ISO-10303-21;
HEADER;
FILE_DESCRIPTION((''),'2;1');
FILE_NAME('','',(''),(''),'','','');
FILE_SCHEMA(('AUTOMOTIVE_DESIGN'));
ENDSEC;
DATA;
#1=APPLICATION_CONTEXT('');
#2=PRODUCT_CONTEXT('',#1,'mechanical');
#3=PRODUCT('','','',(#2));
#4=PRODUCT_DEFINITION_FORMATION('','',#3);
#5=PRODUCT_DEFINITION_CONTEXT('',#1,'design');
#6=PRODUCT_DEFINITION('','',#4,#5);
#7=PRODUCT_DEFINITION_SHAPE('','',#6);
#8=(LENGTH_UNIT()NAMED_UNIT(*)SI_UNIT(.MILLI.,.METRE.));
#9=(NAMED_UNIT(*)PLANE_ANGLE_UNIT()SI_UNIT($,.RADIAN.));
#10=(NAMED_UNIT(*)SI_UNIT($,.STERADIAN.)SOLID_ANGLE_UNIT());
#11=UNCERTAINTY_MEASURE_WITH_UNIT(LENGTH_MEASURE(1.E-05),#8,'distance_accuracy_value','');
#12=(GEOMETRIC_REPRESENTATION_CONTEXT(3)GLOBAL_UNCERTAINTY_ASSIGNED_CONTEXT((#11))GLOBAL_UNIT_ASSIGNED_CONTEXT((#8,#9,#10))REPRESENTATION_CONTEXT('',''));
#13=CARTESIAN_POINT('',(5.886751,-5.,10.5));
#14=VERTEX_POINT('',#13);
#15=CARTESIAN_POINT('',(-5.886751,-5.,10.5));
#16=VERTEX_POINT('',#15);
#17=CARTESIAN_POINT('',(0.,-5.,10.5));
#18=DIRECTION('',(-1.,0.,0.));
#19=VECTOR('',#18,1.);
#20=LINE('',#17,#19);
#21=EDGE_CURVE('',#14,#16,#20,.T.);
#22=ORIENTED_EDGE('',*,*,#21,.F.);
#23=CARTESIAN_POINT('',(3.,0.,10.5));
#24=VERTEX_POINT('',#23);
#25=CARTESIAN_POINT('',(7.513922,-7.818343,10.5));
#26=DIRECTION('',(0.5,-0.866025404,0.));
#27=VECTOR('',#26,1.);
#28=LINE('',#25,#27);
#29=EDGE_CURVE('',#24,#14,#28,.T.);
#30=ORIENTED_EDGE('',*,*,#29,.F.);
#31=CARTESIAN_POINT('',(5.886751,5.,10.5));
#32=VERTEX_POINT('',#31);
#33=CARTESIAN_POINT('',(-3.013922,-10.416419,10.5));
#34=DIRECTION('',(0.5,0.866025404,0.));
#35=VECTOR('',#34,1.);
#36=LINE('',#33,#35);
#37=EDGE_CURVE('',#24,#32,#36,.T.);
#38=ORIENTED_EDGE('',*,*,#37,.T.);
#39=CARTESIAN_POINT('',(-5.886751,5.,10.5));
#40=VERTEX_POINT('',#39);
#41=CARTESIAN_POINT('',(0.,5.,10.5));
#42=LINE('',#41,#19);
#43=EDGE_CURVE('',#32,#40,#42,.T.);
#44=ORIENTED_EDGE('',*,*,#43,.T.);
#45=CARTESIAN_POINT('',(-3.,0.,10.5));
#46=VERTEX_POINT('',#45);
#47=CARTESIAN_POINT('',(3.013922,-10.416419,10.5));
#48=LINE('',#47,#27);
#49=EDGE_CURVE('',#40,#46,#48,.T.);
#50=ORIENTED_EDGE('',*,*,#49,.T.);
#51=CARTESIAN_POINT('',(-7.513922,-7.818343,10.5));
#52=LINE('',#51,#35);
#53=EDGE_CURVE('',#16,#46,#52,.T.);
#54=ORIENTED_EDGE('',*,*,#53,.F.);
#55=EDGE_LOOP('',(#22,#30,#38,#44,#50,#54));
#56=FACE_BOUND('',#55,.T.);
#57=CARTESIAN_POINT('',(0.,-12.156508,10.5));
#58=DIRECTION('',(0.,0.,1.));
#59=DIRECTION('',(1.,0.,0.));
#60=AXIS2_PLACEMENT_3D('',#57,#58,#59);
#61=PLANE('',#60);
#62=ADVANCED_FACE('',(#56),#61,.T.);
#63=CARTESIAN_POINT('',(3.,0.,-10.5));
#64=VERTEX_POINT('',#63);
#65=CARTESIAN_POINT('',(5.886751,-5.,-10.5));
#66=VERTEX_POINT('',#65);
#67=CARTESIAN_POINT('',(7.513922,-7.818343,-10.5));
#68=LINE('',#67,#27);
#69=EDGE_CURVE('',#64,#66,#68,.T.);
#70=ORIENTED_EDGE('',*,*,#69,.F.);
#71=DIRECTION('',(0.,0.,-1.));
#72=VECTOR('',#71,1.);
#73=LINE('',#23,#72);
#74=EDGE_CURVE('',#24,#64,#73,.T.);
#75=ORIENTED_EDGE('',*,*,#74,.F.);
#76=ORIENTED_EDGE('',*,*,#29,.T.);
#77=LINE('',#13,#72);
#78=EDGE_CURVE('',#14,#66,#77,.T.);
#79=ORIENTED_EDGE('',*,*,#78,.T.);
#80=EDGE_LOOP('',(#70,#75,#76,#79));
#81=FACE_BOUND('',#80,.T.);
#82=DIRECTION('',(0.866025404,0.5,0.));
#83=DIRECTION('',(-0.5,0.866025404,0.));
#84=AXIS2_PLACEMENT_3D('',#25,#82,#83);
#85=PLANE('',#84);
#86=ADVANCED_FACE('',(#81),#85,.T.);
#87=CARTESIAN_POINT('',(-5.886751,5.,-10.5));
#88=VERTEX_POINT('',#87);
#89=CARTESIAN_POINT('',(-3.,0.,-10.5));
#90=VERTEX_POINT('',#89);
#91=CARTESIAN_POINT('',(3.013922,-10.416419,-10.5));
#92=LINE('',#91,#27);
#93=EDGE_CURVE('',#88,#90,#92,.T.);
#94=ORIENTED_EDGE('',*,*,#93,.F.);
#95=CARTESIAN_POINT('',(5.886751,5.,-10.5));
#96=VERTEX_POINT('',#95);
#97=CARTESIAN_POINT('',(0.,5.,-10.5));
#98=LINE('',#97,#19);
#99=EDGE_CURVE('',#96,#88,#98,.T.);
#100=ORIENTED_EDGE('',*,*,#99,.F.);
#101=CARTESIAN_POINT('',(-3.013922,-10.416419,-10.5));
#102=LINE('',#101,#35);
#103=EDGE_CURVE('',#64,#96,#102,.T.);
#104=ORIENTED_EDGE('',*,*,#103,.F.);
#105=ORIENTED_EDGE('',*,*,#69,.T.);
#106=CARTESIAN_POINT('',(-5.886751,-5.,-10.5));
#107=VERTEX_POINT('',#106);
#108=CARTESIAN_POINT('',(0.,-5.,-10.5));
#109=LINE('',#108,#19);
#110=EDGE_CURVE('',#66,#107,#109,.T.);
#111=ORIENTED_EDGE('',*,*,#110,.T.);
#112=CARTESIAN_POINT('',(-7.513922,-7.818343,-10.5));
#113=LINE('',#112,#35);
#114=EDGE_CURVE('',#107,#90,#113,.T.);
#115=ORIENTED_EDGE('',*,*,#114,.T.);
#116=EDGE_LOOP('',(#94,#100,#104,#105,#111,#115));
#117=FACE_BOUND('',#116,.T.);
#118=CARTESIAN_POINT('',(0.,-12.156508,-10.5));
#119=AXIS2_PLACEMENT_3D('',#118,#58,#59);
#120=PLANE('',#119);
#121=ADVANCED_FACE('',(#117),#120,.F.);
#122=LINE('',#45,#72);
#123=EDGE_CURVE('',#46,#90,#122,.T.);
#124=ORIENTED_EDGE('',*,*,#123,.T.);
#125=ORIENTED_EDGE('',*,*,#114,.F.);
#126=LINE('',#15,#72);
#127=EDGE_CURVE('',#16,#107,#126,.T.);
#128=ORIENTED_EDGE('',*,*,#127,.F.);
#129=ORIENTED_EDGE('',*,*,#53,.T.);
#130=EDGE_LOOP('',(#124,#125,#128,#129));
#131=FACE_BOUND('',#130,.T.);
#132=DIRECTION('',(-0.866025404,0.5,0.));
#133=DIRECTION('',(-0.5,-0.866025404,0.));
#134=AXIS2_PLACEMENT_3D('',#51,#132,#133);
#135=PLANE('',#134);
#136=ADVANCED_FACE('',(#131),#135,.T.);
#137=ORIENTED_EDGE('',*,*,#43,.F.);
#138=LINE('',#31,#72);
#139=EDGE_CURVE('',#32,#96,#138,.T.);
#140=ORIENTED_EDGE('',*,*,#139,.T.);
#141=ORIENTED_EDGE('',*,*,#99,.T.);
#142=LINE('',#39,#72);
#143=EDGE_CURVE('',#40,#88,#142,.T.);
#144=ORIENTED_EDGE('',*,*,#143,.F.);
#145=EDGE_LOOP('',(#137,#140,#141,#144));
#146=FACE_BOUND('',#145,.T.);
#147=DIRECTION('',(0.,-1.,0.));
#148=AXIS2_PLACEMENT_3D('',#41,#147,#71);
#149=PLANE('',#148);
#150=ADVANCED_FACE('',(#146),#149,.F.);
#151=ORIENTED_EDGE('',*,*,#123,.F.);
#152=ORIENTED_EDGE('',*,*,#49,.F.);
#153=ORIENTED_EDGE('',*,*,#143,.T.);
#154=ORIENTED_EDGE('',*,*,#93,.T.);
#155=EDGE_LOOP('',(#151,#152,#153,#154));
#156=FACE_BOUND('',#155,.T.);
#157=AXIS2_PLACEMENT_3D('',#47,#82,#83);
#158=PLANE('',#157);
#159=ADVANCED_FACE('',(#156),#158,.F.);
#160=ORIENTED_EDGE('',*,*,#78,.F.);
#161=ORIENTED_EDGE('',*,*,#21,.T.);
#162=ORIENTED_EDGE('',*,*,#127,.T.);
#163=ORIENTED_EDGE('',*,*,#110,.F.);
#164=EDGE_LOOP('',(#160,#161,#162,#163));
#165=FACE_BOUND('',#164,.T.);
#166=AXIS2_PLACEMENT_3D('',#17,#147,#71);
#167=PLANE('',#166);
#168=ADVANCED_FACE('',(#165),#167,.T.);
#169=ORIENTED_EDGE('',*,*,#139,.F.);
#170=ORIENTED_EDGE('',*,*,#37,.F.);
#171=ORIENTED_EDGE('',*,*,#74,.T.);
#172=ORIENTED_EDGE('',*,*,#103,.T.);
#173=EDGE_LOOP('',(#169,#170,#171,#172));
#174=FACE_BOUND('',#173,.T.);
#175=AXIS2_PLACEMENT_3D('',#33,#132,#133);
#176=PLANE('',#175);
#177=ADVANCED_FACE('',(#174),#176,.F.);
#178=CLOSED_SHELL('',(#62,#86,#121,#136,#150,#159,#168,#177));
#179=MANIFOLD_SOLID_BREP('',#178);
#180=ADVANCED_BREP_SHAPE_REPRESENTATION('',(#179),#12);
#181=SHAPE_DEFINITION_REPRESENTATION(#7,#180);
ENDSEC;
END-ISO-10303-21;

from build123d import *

# Parameters (mm, degrees)
EXTRUDE2_DEPTH = 10.5


with BuildPart() as part:
    # Sketch1 → Extrude2 (new body, symmetric)
    with BuildSketch(Plane.XY):
        Polygon((3, 0), (5.886751346, -5), (-5.886751346, -5), (-3, 0), (-5.886751346, 5), (5.886751346, 5), align=None)
    extrude(amount=EXTRUDE2_DEPTH, both=True)


solid = part.part
